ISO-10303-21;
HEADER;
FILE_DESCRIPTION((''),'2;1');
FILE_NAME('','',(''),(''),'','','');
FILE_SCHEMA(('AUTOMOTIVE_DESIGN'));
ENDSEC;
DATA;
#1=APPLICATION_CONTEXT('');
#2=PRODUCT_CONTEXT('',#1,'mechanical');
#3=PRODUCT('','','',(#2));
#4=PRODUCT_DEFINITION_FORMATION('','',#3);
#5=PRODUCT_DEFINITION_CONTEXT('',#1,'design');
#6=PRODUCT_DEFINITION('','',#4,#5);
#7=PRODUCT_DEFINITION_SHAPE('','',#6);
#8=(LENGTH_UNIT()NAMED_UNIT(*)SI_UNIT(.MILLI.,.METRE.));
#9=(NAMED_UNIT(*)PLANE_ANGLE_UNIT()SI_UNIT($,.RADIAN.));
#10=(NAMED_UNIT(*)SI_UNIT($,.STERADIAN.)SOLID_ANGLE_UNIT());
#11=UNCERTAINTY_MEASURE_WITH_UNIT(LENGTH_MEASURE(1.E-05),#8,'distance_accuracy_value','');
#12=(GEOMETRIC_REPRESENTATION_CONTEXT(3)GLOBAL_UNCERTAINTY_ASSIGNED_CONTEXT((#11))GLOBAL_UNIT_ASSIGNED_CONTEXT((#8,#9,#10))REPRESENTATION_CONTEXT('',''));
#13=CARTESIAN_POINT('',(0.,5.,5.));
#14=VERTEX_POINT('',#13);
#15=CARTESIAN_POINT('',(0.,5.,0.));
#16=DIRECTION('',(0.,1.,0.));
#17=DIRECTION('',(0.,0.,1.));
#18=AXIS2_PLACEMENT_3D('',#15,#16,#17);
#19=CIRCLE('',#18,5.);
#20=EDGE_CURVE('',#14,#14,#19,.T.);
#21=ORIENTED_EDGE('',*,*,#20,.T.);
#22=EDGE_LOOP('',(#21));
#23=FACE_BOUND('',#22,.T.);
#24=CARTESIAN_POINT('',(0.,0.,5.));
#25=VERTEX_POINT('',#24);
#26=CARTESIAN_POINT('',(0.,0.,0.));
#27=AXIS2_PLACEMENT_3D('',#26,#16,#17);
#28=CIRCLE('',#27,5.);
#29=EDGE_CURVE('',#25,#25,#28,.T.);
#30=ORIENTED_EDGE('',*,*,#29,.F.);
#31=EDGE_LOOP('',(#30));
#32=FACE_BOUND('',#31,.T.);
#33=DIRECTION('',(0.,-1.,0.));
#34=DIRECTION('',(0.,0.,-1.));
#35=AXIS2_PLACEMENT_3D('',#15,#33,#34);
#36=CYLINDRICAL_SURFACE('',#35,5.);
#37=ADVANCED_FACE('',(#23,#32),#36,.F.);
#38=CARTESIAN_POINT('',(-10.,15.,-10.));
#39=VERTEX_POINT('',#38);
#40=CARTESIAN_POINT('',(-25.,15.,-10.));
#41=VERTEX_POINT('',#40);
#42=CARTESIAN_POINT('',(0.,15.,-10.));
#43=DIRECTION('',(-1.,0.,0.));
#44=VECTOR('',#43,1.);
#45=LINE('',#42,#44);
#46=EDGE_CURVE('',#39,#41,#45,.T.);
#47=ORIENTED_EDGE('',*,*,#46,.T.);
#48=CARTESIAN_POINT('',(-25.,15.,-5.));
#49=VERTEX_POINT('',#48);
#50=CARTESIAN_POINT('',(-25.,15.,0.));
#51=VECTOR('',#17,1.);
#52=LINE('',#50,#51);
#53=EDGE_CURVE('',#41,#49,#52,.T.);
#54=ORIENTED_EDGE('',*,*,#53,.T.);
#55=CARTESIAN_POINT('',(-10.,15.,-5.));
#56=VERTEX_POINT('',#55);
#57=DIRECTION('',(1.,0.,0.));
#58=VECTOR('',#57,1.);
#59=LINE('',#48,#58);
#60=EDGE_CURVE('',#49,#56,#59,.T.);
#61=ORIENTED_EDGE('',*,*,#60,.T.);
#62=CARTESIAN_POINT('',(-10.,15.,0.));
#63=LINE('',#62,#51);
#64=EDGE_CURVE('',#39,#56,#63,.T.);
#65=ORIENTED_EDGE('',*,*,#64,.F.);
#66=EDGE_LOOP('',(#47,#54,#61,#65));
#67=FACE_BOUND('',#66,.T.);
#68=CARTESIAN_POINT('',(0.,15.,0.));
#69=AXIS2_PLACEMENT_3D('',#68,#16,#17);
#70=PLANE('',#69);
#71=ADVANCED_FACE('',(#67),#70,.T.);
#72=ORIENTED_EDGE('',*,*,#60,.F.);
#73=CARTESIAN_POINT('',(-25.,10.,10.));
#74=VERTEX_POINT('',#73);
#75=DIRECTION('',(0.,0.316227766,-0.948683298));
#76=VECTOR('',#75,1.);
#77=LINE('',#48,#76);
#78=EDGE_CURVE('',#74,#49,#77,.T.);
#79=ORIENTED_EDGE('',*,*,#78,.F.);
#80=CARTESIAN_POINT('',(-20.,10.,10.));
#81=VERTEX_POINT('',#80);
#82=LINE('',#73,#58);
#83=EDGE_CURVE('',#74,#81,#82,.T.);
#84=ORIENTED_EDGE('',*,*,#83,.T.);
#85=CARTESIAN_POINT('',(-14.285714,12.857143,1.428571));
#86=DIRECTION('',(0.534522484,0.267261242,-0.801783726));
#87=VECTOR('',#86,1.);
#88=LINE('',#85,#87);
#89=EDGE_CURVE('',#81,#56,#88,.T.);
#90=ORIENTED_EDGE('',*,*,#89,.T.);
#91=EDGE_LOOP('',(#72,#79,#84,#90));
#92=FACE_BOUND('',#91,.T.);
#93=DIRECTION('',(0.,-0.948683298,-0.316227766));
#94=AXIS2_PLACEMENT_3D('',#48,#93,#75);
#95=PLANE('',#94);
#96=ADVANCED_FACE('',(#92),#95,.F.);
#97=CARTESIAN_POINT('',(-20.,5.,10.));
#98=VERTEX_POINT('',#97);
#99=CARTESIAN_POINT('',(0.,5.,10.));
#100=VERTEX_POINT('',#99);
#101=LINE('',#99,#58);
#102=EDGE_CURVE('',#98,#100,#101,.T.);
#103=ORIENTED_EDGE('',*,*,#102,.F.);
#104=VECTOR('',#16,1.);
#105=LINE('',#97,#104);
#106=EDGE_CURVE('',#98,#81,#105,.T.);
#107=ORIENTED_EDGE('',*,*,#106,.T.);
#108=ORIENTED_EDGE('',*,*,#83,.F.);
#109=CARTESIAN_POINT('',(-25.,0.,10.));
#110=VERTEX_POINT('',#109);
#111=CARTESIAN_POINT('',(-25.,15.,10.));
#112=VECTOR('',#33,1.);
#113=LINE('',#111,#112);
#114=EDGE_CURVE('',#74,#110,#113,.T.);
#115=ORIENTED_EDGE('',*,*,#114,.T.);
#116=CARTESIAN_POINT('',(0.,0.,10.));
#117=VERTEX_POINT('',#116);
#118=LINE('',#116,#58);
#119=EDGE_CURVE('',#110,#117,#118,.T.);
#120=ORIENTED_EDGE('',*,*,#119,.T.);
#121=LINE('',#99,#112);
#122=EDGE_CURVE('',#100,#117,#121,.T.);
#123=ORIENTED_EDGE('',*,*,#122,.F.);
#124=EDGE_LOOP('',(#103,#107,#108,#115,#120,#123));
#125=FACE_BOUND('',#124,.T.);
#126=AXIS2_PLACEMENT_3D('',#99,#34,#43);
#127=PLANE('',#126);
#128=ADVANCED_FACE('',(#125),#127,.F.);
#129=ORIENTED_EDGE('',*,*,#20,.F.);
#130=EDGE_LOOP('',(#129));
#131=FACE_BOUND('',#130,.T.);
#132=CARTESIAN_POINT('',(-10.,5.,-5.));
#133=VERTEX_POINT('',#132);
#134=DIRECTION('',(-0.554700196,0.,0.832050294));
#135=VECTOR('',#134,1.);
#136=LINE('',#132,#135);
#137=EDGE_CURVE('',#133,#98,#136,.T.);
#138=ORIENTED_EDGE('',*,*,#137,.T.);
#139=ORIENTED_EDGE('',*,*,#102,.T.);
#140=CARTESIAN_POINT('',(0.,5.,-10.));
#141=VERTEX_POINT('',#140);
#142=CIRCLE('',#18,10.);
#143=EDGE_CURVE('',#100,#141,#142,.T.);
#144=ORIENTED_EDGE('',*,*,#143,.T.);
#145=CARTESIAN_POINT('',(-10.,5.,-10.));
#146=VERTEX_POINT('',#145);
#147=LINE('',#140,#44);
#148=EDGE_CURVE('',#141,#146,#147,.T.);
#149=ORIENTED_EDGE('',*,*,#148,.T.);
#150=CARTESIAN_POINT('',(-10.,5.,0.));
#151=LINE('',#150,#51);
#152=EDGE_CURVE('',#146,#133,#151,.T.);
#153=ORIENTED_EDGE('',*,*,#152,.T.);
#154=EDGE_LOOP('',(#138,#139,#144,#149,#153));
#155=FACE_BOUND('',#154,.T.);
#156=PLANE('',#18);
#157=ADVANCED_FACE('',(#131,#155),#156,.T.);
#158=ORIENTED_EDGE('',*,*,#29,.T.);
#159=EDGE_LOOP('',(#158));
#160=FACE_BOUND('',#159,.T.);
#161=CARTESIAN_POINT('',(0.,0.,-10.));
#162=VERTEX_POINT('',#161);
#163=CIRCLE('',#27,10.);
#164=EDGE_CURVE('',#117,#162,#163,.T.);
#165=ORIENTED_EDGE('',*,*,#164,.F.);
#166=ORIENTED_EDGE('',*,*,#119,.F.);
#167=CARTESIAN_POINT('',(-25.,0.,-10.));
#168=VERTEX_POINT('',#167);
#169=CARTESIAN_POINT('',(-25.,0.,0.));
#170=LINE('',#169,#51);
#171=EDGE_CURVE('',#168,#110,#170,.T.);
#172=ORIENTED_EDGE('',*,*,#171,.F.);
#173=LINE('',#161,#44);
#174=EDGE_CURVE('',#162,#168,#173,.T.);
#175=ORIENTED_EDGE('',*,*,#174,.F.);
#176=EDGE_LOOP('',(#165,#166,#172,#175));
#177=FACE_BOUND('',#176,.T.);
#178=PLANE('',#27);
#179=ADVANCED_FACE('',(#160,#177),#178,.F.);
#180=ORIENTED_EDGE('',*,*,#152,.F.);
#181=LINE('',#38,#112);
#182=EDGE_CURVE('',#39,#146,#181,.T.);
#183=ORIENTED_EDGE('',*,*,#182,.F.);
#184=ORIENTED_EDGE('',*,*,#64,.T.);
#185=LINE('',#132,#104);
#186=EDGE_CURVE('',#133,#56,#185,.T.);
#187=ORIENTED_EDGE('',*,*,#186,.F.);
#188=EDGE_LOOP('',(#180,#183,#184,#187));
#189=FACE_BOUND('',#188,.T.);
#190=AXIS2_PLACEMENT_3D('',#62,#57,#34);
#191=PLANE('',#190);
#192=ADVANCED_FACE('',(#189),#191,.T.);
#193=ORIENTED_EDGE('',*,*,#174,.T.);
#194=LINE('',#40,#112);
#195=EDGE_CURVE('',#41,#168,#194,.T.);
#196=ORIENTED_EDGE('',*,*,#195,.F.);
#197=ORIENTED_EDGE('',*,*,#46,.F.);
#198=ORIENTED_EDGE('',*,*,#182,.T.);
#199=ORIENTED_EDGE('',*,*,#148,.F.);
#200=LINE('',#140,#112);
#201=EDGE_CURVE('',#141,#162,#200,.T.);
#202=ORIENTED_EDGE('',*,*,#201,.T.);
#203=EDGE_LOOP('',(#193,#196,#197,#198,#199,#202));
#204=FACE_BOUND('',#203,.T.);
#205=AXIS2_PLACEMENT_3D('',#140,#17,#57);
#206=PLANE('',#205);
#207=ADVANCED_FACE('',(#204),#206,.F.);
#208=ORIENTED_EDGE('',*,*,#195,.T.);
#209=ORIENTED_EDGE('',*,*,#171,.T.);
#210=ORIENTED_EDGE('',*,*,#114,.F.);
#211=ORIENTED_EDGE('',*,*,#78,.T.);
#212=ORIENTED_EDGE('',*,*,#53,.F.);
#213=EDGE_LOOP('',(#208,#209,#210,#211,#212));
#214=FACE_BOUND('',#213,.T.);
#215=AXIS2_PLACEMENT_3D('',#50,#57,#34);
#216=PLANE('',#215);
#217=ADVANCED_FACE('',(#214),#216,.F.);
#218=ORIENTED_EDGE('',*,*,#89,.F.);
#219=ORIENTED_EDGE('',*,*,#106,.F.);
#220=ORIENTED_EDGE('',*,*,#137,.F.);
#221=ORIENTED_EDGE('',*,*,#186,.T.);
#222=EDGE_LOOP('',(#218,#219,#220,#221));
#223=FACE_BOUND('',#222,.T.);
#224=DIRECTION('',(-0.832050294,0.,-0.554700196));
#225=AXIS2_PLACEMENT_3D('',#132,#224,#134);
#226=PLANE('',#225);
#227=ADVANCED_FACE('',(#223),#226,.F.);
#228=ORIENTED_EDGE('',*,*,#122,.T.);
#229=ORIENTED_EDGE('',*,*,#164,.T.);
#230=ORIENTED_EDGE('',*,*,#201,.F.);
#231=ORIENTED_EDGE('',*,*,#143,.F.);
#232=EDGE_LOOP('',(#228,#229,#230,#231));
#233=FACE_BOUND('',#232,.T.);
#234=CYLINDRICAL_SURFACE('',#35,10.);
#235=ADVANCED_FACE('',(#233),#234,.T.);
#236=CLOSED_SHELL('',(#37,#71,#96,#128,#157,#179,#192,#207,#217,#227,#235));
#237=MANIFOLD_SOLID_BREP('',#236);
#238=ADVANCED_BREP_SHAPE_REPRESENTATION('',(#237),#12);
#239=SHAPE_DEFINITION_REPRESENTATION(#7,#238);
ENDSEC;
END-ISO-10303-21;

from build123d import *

# Parameters (mm, degrees)
SKETCH_1_R          = 5
EXTRUDE_1_DEPTH     = 5
SKETCH_1_3_W        = 15
SKETCH_1_3_H        = 20
EXTRUDE_2_DEPTH     = 15
CUT_EXTRUDE_1_DEPTH = 15
CUT_EXTRUDE_2_DEPTH = 10


with BuildPart() as part:
    # 草圖1 → 填料-伸長1 (new body)
    with BuildSketch(Plane(origin=(0, 0, 0), x_dir=(1, 0, 0), z_dir=(0, 1, 0))):
        with BuildLine():
            ThreePointArc((0, -10), (10, 0), (0, 10))
            Line((0, 10), (-10, 10))
            Line((-10, 10), (-10, 5))
            Line((-10, 5), (-10, -10))
            Line((-10, -10), (0, -10))
        make_face()
        Circle(SKETCH_1_R, mode=Mode.SUBTRACT)
    extrude(amount=EXTRUDE_1_DEPTH)

    # 草圖1<3> → 填料-伸長2 (add)
    with BuildSketch(Plane(origin=(0, 0, 0), x_dir=(1, 0, 0), z_dir=(0, 1, 0))):
        with Locations((-17.5, 0)):
            Rectangle(SKETCH_1_3_W, SKETCH_1_3_H)
    extrude(amount=EXTRUDE_2_DEPTH)

    # 草圖3 → 除料-伸長1 (cut)
    with BuildSketch(Plane(origin=(-10, 0, 0), x_dir=(0, 0, -1), z_dir=(1, 0, 0))):
        Polygon((5, 15), (-10, 10), (-10, 15), align=None)
    extrude(amount=-CUT_EXTRUDE_1_DEPTH, mode=Mode.SUBTRACT)

    # 草圖2 → 除料-伸長2 (cut)
    with BuildSketch(Plane(origin=(0, 15, 0), x_dir=(1, 0, 0), z_dir=(0, 1, 0))):
        Polygon((-10, 5), (-20, -10), (-10, -10), align=None)
    extrude(amount=-CUT_EXTRUDE_2_DEPTH, mode=Mode.SUBTRACT)


solid = part.part
